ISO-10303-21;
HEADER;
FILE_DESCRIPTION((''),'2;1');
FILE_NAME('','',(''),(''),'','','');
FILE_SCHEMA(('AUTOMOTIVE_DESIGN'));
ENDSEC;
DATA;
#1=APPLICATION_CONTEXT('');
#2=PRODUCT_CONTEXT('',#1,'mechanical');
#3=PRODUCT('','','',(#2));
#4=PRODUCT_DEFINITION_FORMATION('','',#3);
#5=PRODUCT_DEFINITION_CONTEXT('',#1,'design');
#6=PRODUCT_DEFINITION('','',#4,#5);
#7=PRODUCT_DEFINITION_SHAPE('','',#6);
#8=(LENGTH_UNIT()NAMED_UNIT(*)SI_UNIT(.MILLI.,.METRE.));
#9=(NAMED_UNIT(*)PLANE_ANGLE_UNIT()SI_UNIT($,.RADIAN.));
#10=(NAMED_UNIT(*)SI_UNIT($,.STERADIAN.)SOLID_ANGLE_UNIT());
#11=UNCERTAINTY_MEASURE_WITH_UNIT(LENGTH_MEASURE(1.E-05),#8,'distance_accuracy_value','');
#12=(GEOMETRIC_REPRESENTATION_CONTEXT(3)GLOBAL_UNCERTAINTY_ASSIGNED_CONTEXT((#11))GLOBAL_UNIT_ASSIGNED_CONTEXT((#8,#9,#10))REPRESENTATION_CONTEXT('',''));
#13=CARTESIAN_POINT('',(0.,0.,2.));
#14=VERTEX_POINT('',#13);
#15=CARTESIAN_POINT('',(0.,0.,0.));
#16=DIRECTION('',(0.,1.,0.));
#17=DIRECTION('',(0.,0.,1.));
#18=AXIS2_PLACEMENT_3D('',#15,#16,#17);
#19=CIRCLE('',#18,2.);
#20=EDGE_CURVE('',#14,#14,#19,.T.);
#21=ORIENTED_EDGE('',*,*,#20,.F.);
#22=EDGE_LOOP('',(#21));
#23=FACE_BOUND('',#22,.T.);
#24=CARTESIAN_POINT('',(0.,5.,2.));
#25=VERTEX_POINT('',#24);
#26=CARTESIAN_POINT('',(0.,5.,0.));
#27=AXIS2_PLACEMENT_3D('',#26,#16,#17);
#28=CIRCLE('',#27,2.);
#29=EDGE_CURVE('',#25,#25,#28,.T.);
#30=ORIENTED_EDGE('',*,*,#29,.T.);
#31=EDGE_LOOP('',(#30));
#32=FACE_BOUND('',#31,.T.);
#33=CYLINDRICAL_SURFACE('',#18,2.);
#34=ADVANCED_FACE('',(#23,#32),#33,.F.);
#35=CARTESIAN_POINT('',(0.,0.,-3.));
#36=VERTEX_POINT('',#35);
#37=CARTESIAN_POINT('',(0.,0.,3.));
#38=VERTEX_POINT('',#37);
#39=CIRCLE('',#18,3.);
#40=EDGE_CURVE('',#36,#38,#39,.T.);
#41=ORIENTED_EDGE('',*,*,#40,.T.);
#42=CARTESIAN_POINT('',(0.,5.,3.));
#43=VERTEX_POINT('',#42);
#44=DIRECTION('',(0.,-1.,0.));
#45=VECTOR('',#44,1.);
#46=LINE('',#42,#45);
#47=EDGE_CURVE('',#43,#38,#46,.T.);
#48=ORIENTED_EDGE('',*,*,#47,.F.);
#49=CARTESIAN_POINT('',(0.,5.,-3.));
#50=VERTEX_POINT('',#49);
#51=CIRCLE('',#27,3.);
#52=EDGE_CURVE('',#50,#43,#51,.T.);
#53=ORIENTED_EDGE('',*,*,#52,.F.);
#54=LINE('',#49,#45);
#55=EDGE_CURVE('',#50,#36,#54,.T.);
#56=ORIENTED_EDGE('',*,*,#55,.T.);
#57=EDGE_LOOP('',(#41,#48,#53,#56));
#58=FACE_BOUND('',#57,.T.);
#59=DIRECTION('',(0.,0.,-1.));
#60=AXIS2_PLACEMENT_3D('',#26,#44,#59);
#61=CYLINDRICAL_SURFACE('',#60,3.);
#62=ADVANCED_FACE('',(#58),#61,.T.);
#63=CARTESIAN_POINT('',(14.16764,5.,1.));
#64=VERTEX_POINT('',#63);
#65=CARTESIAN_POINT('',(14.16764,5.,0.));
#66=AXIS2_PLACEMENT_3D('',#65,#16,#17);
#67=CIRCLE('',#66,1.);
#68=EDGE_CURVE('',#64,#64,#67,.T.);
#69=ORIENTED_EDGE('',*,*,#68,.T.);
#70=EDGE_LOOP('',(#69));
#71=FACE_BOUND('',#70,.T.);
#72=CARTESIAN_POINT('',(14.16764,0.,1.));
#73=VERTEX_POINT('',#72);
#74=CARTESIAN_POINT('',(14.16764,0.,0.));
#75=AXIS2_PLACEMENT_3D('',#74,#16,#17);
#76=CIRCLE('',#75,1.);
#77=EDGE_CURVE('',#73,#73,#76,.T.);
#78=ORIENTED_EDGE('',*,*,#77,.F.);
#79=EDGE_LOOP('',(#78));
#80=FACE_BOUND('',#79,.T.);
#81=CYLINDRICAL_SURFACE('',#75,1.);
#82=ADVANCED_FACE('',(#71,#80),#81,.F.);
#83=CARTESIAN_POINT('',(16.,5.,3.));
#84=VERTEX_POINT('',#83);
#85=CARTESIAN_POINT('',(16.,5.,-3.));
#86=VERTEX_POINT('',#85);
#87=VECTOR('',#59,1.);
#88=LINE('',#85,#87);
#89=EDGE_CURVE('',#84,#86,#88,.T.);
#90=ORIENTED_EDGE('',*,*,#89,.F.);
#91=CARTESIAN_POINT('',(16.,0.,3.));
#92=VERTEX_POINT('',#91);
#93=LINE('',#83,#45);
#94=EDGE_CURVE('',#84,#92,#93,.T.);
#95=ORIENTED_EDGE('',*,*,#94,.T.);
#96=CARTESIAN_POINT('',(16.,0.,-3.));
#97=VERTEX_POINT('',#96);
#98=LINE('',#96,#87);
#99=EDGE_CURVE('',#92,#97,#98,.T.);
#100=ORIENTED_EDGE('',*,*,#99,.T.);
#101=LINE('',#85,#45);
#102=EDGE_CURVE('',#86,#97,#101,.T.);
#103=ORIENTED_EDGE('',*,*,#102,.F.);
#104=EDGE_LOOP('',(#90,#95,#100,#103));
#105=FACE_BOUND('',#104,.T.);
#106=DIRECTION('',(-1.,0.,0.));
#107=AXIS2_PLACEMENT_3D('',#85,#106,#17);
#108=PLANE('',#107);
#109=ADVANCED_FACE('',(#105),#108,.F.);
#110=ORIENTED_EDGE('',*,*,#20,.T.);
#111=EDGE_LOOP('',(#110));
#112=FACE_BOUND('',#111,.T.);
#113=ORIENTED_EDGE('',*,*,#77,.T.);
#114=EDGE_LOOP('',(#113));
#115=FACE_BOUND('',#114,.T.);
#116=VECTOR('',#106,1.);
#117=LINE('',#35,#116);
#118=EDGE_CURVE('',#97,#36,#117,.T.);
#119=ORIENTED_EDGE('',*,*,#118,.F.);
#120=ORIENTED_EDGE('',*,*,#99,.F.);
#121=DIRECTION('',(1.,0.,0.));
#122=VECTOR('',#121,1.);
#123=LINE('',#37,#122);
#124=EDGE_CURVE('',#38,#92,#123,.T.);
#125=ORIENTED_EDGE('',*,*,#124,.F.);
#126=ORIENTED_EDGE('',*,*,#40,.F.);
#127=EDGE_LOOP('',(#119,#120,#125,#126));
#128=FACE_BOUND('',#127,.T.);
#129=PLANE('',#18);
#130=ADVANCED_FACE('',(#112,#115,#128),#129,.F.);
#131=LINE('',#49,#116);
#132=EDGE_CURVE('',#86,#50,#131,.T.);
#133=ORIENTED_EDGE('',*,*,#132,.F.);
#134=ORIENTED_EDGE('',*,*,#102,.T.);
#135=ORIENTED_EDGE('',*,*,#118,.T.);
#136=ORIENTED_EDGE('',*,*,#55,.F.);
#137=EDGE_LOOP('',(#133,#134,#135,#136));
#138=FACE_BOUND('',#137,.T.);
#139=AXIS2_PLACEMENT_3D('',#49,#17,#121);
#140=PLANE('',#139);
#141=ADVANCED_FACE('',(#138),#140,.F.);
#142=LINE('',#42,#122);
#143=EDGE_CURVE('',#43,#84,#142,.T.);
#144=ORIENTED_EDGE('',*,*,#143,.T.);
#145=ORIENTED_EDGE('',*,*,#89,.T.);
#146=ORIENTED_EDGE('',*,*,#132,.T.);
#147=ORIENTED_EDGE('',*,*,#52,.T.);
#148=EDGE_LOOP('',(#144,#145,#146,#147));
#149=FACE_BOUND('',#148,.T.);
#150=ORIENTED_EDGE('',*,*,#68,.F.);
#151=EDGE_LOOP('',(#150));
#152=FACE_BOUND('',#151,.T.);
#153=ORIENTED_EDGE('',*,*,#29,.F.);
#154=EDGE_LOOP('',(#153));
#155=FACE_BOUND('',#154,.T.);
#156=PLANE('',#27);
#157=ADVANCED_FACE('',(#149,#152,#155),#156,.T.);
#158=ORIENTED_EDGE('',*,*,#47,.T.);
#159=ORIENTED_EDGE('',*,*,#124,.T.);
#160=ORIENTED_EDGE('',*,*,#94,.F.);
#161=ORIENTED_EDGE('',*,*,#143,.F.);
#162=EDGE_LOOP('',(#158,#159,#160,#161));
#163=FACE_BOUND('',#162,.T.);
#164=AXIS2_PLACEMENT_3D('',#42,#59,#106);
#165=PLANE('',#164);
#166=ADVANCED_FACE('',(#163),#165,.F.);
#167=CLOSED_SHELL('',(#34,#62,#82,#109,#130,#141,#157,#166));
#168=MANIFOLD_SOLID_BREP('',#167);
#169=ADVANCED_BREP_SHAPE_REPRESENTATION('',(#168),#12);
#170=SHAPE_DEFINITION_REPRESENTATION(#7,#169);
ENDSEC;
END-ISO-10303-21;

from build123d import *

# Parameters (mm, degrees)
EXTRUDE_1_DEPTH     = 5
SKETCH_3_R          = 2
CUT_EXTRUDE_1_DEPTH = 5
SKETCH_4_R          = 1
CUT_EXTRUDE_2_DEPTH = 5


with BuildPart() as part:
    # 草图2 → 凸台-拉伸1 (new body)
    with BuildSketch(Plane(origin=(0, 0, 0), x_dir=(1, 0, 0), z_dir=(0, 1, 0))):
        with BuildLine():
            Line((0, 3), (16, 3))
            Line((16, 3), (16, -3))
            Line((16, -3), (0, -3))
            ThreePointArc((0, -3), (-3, 0), (0, 3))
        make_face()
    extrude(amount=EXTRUDE_1_DEPTH)

    # 草图3 → 切除-拉伸1 (cut)
    with BuildSketch(Plane(origin=(0, 5, 0), x_dir=(1, 0, 0), z_dir=(0, 1, 0))):
        with Locations(Location((0, 0, 0), (0, 0, 270))):
            Circle(SKETCH_3_R)
    extrude(amount=-CUT_EXTRUDE_1_DEPTH, mode=Mode.SUBTRACT)

    # 草图4 → 切除-拉伸2 (cut)
    with BuildSketch(Plane(origin=(0, 5, 0), x_dir=(1, 0, 0), z_dir=(0, 1, 0))):
        with Locations(Location((14.167639534, 0, 0), (0, 0, 270))):
            Circle(SKETCH_4_R)
    extrude(amount=-CUT_EXTRUDE_2_DEPTH, mode=Mode.SUBTRACT)


solid = part.part
